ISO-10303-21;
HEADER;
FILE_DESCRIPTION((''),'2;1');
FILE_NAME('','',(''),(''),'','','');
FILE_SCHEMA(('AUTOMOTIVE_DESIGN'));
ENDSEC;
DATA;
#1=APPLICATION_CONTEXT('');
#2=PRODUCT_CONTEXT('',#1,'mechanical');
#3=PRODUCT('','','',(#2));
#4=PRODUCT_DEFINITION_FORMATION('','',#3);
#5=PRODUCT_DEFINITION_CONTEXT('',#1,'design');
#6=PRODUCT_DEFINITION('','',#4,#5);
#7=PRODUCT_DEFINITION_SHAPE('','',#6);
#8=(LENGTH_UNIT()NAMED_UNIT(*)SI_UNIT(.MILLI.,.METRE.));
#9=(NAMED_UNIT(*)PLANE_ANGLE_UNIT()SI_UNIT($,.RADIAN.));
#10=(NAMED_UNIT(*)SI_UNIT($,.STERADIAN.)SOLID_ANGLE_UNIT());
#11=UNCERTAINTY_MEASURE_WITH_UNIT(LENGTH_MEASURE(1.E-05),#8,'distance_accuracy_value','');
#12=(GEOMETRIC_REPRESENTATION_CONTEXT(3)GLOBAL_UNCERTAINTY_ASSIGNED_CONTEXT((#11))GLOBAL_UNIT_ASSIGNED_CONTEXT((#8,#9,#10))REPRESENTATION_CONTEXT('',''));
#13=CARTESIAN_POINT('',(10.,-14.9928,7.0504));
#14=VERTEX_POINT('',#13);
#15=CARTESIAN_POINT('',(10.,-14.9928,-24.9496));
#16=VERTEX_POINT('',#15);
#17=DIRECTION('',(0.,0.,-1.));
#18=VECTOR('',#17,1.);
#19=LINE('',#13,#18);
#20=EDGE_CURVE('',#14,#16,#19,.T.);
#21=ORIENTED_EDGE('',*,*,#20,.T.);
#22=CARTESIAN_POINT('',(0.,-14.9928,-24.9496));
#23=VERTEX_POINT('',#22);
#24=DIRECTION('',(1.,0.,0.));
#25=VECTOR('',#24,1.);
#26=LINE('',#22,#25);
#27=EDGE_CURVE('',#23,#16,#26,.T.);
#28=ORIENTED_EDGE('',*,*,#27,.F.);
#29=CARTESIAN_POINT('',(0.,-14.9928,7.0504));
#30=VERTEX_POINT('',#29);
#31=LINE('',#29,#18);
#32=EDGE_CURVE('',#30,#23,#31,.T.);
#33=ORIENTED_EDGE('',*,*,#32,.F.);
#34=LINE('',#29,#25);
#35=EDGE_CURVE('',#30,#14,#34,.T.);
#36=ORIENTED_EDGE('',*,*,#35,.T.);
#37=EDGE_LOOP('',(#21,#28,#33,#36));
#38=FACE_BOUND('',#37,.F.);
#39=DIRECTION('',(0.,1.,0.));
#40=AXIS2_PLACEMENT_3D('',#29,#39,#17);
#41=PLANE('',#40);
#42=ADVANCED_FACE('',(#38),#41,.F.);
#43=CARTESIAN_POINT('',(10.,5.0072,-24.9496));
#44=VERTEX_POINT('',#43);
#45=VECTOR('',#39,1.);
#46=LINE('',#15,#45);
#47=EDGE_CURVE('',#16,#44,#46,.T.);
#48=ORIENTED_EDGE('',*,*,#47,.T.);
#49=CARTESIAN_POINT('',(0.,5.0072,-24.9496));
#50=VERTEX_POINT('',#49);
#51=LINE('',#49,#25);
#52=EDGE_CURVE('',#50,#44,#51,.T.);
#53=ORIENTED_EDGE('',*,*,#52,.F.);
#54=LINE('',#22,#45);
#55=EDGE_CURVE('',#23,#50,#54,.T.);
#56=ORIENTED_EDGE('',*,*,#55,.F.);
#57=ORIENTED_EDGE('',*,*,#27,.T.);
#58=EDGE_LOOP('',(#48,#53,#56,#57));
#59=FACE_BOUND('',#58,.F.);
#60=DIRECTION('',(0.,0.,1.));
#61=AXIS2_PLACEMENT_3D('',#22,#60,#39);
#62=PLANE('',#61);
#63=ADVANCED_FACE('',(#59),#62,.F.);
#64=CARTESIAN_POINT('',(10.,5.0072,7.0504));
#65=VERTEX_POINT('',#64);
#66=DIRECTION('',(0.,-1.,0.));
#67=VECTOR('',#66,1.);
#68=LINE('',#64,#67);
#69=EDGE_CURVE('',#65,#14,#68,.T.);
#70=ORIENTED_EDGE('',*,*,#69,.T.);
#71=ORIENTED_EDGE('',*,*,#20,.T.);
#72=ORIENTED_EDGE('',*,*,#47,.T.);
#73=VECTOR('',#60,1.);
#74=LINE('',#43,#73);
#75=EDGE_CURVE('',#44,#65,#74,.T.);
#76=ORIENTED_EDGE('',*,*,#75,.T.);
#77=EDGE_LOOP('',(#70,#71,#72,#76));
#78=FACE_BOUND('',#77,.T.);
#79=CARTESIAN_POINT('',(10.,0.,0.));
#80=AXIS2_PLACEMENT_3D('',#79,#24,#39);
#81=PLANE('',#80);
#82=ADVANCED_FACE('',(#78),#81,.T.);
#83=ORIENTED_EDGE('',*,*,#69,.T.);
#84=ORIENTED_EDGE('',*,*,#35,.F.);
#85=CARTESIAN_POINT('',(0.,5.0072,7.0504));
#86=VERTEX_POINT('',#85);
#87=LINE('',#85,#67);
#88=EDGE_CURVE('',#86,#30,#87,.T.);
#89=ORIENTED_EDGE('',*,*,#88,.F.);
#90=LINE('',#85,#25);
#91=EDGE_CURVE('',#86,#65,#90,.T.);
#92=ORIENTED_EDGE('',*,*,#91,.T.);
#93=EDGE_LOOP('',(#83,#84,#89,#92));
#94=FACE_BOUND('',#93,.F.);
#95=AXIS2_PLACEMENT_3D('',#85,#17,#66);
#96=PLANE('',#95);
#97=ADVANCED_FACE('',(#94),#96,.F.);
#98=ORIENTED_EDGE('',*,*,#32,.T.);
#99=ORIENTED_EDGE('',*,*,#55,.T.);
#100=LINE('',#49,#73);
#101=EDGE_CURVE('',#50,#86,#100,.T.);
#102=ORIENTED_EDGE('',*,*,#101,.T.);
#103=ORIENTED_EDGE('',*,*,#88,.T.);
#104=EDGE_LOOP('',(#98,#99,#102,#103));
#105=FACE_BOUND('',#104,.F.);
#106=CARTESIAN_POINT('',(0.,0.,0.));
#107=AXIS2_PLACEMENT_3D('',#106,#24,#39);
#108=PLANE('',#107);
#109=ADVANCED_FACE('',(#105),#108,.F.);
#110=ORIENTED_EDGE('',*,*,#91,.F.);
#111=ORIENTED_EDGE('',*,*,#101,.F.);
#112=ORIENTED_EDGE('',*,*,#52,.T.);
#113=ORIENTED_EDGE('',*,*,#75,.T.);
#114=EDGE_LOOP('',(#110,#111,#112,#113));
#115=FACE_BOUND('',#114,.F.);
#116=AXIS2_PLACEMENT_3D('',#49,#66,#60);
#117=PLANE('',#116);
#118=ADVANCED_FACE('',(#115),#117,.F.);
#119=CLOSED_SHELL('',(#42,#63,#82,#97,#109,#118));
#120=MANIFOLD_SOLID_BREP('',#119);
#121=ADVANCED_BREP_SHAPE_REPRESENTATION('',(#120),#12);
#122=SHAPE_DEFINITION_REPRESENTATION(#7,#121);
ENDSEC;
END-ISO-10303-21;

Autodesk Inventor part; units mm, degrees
ref_plane "YZ Plane" through (0, 0, 0) normal (1, 0, 0) x (0, 1, 0)
ref_plane "XZ Plane" through (0, 0, 0) normal (0, 1, 0) x (-1, 0, 0)
ref_plane "XY Plane" through (0, 0, 0) normal (0, 0, 1) x (1, 0, 0)
sketch "Sketch1" plane through (0, 0, 0) normal (1, 0, 0) x (0, 1, 0)
  line L0 (5.0072, 7.0504) -> (-14.9928, 7.0504)
  line L1 (-14.9928, 7.0504) -> (-14.9928, -24.9496)
  line L2 (-14.9928, -24.9496) -> (5.0072, -24.9496)
  line L3 (5.0072, -24.9496) -> (5.0072, 7.0504)
  point P0 (0, 0)
  dimension "d0" = 32
  dimension "d1" = 20
extrude "Extrusion1" add sketch "Sketch1" along normal blind 10
properties part number "cylinder mounting block"
